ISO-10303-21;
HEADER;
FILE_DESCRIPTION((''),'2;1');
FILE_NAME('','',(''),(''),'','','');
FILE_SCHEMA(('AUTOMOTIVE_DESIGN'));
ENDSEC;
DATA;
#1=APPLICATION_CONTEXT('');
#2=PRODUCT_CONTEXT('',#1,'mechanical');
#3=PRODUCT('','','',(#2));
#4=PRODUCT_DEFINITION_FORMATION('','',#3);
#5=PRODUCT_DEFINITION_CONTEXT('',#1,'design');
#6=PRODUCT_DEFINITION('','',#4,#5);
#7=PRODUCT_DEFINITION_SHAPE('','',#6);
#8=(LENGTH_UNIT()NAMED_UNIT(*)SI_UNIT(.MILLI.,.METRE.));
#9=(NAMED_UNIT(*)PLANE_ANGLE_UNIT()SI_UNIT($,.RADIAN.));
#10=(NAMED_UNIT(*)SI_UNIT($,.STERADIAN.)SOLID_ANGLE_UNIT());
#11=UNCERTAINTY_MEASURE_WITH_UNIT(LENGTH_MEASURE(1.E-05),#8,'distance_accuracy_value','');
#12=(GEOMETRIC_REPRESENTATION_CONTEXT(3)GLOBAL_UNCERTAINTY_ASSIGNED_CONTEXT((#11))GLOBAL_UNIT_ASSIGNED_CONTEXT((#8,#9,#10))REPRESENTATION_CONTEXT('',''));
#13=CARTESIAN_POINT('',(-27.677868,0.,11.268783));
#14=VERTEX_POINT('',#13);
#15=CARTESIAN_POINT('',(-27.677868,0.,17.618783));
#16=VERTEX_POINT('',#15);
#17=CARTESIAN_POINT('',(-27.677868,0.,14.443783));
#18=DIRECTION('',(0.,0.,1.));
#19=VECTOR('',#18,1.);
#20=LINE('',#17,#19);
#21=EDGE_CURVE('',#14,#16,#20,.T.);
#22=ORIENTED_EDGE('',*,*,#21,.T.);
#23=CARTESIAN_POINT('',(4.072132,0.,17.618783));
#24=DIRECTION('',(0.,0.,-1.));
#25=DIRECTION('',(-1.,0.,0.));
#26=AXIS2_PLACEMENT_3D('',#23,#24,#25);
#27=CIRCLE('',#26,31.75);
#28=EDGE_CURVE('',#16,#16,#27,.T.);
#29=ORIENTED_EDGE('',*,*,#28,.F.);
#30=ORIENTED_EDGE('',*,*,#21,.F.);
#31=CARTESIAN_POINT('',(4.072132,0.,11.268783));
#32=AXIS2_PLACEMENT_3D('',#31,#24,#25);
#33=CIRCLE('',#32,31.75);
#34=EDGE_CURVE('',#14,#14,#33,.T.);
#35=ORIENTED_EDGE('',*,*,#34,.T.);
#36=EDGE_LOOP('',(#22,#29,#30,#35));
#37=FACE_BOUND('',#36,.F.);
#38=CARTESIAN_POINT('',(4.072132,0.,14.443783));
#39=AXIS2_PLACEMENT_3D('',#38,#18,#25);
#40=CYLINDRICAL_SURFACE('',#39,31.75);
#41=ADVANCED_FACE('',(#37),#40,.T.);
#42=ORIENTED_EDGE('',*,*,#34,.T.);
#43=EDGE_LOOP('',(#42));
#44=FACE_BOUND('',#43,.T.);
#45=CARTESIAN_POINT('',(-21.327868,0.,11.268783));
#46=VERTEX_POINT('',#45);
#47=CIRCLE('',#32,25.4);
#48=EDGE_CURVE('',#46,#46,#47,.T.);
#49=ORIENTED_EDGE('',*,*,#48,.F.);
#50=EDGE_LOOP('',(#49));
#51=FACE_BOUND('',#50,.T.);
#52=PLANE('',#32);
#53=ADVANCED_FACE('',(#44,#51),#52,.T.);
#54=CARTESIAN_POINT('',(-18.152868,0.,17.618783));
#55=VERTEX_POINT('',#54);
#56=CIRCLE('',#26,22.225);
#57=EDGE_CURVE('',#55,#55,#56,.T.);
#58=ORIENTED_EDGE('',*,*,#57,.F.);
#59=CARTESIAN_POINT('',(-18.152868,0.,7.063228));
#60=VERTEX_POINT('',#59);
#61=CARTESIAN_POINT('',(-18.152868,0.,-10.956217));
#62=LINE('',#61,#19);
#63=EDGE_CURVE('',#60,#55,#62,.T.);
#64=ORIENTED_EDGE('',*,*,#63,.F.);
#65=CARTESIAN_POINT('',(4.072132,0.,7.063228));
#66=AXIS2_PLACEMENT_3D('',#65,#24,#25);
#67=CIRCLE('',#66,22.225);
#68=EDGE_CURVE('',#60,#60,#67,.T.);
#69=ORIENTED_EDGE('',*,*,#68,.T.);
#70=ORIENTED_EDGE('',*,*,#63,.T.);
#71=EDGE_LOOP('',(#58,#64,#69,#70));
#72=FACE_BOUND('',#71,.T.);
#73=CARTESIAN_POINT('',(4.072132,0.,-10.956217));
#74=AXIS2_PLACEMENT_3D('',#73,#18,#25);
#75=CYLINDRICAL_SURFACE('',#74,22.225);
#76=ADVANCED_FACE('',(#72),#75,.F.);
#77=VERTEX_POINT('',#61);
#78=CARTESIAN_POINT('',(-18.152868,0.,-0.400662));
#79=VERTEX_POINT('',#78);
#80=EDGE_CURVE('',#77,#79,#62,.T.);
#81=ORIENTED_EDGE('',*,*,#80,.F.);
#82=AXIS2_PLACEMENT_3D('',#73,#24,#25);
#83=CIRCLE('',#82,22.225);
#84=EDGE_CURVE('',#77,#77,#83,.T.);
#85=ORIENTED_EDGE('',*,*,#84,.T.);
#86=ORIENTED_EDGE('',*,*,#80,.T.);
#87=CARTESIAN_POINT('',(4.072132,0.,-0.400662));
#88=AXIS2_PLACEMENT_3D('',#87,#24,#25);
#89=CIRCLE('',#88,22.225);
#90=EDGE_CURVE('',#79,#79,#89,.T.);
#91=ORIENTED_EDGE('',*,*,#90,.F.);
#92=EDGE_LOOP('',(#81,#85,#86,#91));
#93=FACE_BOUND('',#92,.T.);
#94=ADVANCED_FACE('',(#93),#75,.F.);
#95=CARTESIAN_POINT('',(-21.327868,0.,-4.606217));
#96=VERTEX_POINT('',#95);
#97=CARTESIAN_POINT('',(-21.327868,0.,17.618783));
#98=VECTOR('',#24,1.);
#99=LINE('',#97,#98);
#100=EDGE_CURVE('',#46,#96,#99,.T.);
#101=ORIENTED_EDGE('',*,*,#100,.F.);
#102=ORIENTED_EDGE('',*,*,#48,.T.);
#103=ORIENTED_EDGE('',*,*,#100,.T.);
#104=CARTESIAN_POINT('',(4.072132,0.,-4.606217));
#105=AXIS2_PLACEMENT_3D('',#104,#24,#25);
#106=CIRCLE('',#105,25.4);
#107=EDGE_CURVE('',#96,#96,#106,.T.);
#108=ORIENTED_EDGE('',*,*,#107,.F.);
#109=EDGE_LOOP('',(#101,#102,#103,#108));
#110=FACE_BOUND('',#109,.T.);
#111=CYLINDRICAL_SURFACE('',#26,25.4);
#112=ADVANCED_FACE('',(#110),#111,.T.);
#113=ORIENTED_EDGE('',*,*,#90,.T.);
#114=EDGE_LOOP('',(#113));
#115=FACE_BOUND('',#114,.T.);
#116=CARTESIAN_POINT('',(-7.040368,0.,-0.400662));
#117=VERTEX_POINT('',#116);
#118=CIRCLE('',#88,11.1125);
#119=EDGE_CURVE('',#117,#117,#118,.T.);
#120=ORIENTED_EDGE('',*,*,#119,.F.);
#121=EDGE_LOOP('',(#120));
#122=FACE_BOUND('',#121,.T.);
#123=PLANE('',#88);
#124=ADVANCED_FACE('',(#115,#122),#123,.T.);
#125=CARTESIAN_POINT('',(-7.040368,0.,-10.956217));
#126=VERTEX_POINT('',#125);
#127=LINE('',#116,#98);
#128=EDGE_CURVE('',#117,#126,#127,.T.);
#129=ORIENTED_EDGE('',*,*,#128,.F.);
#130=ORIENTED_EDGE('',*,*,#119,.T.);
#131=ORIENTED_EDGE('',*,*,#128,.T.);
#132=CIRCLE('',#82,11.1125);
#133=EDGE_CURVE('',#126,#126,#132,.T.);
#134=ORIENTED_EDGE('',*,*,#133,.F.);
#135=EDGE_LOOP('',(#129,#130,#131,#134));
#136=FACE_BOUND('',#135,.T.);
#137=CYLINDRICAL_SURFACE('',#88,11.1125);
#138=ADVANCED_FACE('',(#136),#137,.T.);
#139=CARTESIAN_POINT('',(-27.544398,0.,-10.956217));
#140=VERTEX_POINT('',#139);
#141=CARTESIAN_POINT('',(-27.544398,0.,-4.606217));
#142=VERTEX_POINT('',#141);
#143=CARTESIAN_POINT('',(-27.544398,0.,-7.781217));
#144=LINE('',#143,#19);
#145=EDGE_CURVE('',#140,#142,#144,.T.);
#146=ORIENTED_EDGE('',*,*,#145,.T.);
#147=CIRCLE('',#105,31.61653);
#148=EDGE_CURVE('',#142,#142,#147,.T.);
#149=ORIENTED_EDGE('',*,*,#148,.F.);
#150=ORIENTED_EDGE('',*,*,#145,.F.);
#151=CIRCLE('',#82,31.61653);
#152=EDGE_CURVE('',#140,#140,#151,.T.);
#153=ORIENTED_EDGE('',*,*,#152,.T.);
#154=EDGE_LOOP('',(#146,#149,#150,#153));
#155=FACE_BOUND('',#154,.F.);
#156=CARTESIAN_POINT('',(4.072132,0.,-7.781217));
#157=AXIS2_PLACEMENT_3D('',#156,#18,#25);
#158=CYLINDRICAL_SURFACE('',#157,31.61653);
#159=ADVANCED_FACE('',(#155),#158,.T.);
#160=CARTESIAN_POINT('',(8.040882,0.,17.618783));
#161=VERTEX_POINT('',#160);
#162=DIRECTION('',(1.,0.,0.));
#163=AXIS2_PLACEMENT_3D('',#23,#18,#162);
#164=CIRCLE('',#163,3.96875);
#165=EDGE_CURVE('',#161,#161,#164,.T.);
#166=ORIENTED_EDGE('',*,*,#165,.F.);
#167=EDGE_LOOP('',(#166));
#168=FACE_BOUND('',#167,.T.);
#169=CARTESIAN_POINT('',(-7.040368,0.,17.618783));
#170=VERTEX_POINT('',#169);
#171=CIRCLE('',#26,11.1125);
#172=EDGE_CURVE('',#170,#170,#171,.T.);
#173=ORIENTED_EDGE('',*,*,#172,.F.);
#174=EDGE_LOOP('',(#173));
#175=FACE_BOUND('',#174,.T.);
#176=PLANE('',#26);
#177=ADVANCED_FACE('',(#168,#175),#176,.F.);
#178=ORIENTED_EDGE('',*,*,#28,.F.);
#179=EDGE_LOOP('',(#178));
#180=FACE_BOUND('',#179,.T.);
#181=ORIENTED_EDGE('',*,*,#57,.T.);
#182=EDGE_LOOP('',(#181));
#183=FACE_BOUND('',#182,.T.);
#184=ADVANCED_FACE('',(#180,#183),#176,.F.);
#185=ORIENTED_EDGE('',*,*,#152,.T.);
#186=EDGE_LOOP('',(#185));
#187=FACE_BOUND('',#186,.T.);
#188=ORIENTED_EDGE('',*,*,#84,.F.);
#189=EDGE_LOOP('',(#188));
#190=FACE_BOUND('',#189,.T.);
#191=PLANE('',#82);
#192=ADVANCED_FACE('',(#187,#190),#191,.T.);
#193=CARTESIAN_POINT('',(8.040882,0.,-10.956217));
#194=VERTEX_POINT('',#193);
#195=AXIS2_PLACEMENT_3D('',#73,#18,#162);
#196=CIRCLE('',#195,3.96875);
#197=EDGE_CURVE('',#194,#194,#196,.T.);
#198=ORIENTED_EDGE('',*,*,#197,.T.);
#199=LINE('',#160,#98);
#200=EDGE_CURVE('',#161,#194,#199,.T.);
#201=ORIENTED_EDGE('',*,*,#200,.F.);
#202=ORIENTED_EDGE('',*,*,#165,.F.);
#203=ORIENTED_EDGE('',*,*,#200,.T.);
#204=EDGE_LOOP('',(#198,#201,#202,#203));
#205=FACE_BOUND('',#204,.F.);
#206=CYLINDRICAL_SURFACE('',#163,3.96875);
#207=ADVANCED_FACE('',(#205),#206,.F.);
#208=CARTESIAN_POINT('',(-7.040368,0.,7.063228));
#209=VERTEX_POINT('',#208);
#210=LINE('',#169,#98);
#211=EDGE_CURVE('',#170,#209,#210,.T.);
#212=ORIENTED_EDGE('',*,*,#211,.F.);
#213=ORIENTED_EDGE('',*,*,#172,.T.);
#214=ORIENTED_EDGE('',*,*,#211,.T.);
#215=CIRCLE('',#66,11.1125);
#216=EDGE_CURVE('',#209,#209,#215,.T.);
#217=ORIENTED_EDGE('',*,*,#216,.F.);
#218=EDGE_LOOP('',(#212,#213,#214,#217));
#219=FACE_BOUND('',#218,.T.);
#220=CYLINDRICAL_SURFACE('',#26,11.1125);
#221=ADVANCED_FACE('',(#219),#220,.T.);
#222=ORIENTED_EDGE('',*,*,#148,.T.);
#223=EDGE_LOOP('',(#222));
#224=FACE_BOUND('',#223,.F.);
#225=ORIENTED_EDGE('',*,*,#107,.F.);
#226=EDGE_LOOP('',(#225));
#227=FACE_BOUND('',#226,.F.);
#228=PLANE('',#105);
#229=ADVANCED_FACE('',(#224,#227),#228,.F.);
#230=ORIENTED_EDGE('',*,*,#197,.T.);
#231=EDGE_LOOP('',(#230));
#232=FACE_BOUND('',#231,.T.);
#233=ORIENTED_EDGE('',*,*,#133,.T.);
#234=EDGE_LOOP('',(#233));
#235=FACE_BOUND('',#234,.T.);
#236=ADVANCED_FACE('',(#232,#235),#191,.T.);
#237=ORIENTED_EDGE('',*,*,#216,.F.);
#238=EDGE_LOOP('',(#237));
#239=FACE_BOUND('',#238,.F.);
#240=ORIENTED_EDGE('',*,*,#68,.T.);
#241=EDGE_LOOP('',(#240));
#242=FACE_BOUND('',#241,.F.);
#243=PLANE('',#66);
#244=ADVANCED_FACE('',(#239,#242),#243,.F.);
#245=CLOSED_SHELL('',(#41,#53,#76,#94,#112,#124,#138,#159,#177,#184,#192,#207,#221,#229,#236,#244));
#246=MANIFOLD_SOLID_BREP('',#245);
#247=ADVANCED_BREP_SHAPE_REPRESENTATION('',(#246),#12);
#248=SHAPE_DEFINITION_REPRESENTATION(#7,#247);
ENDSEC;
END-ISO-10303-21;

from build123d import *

# Parameters (mm, degrees)
F0_W     = 6.216531
F0_H     = 6.35
F0_W_2   = 6.35
F0_W_3   = 11.1125
F0_H_2   = 7.46389
F2_R     = 3.96875
F3_DEPTH = 28.576


with BuildPart() as f1:
    # F0 (on Front) → F1 (revolve)
    with BuildSketch(Plane.XZ):
        with Locations((-24.436133, -7.781217)):
            Rectangle(F0_W, F0_H)
        Polygon((-18.152868, 7.063228), (-18.152868, 17.618783), (-21.327868, 17.618783), (-21.327868, 11.268783), (-21.327868, -4.606217), (-21.327868, -10.956217), (-18.152868, -10.956217), (-18.152868, -0.400662), align=None)
        with Locations((-24.502868, 14.443783)):
            Rectangle(F0_W_2, F0_H)
        with Locations((-12.596618, 3.331283)):
            Rectangle(F0_W_3, F0_H_2)
        Polygon((-7.040368, 17.618783), (-7.040368, 7.063228), (-7.040368, -0.400662), (-7.040368, -10.956217), (4.072132, -10.956217), (4.072132, 17.618783), align=None)
    revolve(axis=Axis((4.072132, 0, 3.331283), (0, 0, -1)))

    # F2 (on face) → F3 (cut, through all)
    with BuildSketch(Plane.XY.offset(17.618783)):
        with Locations((4.072132, 0)):
            Circle(F2_R)
    extrude(amount=-F3_DEPTH, mode=Mode.SUBTRACT)


solid = f1.part
